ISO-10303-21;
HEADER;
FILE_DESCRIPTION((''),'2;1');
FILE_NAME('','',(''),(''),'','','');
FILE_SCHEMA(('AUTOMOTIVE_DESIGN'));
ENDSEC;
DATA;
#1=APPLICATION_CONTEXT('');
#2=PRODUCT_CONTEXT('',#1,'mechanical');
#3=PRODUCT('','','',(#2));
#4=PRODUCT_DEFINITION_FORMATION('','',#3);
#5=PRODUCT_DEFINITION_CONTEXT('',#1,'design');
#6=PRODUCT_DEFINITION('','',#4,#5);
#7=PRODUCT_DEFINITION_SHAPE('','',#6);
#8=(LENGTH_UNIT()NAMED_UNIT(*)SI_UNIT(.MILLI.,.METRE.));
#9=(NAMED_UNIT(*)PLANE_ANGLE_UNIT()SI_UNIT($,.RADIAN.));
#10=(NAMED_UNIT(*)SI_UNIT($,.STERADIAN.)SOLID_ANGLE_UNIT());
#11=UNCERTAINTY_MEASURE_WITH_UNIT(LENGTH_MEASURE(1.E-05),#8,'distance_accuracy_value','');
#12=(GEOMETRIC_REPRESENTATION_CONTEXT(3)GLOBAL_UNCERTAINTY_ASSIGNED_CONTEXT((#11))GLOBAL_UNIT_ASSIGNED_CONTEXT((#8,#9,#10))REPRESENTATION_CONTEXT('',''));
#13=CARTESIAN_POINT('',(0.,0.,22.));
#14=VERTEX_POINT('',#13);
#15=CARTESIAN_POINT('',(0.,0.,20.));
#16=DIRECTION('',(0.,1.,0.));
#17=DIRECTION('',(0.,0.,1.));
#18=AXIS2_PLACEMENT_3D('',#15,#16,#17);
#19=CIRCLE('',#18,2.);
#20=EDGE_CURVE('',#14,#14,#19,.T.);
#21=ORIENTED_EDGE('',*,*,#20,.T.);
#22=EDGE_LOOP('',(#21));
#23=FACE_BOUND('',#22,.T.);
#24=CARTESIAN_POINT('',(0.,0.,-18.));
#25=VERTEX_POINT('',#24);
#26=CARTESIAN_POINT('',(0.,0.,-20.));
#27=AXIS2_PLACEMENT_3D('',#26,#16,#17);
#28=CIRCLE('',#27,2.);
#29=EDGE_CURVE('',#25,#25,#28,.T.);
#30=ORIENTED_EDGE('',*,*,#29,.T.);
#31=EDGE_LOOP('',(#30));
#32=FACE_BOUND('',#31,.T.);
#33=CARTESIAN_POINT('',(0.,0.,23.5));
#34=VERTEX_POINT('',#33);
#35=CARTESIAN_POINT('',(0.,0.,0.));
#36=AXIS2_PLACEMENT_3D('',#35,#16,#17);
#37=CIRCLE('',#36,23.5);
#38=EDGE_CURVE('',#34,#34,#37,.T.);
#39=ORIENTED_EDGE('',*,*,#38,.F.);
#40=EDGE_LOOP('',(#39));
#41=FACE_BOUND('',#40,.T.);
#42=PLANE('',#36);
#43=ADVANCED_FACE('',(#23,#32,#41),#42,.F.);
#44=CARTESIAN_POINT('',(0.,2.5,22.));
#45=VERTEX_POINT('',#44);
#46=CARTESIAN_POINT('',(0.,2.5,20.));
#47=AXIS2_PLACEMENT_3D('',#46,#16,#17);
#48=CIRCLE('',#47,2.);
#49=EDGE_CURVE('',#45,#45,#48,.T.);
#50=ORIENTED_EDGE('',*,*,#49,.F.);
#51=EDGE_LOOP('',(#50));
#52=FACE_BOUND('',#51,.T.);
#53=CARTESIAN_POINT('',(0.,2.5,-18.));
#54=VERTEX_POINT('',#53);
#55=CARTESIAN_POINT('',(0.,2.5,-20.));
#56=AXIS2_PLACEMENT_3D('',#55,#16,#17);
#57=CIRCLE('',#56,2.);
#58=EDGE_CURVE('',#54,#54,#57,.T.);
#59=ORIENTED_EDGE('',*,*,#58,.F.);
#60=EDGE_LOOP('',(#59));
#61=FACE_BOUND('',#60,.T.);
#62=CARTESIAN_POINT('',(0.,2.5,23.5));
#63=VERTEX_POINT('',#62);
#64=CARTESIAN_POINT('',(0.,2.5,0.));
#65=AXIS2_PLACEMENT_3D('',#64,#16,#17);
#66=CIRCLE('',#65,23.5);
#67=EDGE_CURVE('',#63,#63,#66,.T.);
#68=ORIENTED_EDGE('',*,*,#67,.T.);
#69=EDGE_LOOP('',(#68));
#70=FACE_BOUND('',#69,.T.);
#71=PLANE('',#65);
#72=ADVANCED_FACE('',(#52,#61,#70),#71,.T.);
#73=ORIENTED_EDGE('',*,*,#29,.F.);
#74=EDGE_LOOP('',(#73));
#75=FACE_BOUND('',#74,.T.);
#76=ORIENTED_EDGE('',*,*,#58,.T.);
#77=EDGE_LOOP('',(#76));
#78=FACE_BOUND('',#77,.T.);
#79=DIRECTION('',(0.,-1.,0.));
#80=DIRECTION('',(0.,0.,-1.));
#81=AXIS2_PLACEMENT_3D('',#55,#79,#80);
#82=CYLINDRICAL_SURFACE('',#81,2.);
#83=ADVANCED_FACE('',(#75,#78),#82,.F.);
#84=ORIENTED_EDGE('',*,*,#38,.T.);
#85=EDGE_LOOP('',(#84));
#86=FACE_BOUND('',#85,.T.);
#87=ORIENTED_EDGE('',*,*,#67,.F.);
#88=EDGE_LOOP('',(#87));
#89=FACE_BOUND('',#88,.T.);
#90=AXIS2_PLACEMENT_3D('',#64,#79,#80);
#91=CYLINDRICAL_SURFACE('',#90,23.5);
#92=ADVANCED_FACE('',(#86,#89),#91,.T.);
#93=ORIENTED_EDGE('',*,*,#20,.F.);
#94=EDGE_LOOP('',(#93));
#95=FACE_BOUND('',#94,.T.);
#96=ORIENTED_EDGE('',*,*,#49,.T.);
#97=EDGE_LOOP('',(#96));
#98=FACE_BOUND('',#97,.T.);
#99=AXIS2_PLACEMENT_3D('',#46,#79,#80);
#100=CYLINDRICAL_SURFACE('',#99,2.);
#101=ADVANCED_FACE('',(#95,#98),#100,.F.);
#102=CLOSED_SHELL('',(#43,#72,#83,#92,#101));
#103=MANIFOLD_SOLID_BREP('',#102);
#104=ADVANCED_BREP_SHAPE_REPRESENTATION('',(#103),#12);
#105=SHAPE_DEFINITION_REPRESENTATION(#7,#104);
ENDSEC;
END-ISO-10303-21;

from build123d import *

# Parameters (mm, degrees)
ESBO_O1_R                = 23.5
ESBO_O1_R_2              = 2
RESSALTO_EXTRUS_O1_DEPTH = 2.5


with BuildPart() as part:
    # Esboço1 → Ressalto-extrusão1 (new body)
    with BuildSketch(Plane(origin=(0, 0, 0), x_dir=(1, 0, 0), z_dir=(0, 1, 0))):
        with Locations(Location((0, 0, 0), (0, 0, 270))):
            Circle(ESBO_O1_R)
        with Locations(Location((0, -20, 0), (0, 0, 270))):
            Circle(ESBO_O1_R_2, mode=Mode.SUBTRACT)
        with Locations(Location((0, 20, 0), (0, 0, 270))):
            Circle(ESBO_O1_R_2, mode=Mode.SUBTRACT)
    extrude(amount=RESSALTO_EXTRUS_O1_DEPTH)


solid = part.part
